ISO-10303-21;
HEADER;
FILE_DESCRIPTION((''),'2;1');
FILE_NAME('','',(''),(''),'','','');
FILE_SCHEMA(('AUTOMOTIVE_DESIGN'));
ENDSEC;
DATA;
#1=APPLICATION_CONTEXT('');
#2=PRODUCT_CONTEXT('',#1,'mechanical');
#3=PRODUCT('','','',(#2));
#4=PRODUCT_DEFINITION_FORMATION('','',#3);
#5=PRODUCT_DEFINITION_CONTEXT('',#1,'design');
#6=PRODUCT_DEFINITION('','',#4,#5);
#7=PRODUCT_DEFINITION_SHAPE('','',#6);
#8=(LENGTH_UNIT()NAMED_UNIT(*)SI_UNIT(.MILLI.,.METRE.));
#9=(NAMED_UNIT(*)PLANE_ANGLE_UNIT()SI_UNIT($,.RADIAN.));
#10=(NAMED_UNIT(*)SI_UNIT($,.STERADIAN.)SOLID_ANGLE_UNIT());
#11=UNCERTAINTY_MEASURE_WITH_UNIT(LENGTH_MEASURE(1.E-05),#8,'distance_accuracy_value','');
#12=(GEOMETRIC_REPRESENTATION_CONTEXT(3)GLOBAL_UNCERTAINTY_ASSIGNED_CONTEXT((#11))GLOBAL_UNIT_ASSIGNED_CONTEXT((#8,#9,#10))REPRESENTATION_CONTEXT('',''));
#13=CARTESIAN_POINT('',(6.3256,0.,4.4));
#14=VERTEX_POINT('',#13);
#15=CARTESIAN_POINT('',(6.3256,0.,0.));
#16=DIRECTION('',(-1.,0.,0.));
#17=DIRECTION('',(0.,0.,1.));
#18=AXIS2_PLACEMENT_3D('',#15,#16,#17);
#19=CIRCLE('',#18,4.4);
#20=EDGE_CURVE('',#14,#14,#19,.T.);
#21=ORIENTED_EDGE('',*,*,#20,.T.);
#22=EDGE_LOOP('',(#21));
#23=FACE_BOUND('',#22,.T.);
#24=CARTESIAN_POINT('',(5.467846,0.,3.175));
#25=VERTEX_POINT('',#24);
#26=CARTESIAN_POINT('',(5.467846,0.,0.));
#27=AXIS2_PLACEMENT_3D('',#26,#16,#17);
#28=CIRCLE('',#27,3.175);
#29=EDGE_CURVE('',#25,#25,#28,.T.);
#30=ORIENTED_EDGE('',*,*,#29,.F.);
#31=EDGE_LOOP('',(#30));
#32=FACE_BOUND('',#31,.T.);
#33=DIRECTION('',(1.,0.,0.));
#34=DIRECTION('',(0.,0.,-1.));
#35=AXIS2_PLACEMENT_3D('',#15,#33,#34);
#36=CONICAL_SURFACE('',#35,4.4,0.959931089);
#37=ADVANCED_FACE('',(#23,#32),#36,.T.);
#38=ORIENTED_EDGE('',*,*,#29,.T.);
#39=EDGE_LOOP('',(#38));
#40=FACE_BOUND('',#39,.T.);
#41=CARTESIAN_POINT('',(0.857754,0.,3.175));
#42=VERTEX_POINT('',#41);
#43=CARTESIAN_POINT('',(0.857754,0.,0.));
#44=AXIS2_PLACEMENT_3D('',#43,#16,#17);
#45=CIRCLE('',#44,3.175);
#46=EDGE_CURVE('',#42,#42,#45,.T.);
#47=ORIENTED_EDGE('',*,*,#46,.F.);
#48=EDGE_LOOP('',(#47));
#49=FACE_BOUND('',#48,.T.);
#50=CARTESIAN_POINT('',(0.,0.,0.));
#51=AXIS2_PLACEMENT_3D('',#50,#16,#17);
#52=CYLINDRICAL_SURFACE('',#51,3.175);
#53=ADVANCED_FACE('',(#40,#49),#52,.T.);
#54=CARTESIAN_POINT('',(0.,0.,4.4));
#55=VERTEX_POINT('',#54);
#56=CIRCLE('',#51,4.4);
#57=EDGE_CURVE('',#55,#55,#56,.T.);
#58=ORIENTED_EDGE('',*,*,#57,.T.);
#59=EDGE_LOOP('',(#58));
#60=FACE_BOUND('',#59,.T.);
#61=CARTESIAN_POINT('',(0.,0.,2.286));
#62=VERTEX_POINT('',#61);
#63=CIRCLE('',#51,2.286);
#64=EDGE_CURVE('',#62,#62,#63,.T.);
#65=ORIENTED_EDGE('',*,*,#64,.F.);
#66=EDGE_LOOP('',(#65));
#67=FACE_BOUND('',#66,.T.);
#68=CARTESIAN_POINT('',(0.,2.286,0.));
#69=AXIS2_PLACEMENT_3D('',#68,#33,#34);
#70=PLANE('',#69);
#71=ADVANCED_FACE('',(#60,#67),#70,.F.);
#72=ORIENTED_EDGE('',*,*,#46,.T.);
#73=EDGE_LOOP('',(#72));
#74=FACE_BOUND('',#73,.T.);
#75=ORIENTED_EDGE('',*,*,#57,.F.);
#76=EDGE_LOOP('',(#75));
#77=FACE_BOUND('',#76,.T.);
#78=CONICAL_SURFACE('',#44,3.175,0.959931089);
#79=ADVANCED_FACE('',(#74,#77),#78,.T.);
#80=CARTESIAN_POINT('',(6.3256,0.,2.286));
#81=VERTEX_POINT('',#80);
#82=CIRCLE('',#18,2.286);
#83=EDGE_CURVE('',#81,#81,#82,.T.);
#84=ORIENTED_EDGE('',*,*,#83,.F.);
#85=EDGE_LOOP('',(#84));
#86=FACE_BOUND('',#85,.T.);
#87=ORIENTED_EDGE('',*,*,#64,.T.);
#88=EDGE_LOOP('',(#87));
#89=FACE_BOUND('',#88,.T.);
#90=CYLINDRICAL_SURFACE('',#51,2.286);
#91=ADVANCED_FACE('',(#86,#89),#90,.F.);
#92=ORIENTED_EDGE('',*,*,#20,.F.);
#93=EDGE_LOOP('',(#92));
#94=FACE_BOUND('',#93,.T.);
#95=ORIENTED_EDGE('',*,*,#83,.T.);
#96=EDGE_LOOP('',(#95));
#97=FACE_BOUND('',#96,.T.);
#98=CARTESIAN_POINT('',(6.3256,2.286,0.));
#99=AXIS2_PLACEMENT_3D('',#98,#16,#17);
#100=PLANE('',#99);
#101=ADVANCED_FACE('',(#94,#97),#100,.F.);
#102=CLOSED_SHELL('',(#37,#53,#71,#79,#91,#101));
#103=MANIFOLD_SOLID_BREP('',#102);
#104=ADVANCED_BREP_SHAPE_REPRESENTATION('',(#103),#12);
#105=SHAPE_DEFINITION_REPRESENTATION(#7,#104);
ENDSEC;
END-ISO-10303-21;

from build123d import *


with BuildPart() as part:
    # Sketch2 → Revolve1 (revolve)
    with BuildSketch(Plane.XY, mode=Mode.PRIVATE) as revolve1_sk:
        Polygon((0, 2.286), (6.3256, 2.286), (6.3256, 4.4), (5.467845766, 3.175), (0.857754234, 3.175), (0, 4.4), align=None)
    revolve(revolve1_sk.sketch.rotate(Axis((0, 0, 0), (1, 0, 0)), 90), axis=Axis((0, 0, 0), (1, 0, 0)))


solid = part.part
